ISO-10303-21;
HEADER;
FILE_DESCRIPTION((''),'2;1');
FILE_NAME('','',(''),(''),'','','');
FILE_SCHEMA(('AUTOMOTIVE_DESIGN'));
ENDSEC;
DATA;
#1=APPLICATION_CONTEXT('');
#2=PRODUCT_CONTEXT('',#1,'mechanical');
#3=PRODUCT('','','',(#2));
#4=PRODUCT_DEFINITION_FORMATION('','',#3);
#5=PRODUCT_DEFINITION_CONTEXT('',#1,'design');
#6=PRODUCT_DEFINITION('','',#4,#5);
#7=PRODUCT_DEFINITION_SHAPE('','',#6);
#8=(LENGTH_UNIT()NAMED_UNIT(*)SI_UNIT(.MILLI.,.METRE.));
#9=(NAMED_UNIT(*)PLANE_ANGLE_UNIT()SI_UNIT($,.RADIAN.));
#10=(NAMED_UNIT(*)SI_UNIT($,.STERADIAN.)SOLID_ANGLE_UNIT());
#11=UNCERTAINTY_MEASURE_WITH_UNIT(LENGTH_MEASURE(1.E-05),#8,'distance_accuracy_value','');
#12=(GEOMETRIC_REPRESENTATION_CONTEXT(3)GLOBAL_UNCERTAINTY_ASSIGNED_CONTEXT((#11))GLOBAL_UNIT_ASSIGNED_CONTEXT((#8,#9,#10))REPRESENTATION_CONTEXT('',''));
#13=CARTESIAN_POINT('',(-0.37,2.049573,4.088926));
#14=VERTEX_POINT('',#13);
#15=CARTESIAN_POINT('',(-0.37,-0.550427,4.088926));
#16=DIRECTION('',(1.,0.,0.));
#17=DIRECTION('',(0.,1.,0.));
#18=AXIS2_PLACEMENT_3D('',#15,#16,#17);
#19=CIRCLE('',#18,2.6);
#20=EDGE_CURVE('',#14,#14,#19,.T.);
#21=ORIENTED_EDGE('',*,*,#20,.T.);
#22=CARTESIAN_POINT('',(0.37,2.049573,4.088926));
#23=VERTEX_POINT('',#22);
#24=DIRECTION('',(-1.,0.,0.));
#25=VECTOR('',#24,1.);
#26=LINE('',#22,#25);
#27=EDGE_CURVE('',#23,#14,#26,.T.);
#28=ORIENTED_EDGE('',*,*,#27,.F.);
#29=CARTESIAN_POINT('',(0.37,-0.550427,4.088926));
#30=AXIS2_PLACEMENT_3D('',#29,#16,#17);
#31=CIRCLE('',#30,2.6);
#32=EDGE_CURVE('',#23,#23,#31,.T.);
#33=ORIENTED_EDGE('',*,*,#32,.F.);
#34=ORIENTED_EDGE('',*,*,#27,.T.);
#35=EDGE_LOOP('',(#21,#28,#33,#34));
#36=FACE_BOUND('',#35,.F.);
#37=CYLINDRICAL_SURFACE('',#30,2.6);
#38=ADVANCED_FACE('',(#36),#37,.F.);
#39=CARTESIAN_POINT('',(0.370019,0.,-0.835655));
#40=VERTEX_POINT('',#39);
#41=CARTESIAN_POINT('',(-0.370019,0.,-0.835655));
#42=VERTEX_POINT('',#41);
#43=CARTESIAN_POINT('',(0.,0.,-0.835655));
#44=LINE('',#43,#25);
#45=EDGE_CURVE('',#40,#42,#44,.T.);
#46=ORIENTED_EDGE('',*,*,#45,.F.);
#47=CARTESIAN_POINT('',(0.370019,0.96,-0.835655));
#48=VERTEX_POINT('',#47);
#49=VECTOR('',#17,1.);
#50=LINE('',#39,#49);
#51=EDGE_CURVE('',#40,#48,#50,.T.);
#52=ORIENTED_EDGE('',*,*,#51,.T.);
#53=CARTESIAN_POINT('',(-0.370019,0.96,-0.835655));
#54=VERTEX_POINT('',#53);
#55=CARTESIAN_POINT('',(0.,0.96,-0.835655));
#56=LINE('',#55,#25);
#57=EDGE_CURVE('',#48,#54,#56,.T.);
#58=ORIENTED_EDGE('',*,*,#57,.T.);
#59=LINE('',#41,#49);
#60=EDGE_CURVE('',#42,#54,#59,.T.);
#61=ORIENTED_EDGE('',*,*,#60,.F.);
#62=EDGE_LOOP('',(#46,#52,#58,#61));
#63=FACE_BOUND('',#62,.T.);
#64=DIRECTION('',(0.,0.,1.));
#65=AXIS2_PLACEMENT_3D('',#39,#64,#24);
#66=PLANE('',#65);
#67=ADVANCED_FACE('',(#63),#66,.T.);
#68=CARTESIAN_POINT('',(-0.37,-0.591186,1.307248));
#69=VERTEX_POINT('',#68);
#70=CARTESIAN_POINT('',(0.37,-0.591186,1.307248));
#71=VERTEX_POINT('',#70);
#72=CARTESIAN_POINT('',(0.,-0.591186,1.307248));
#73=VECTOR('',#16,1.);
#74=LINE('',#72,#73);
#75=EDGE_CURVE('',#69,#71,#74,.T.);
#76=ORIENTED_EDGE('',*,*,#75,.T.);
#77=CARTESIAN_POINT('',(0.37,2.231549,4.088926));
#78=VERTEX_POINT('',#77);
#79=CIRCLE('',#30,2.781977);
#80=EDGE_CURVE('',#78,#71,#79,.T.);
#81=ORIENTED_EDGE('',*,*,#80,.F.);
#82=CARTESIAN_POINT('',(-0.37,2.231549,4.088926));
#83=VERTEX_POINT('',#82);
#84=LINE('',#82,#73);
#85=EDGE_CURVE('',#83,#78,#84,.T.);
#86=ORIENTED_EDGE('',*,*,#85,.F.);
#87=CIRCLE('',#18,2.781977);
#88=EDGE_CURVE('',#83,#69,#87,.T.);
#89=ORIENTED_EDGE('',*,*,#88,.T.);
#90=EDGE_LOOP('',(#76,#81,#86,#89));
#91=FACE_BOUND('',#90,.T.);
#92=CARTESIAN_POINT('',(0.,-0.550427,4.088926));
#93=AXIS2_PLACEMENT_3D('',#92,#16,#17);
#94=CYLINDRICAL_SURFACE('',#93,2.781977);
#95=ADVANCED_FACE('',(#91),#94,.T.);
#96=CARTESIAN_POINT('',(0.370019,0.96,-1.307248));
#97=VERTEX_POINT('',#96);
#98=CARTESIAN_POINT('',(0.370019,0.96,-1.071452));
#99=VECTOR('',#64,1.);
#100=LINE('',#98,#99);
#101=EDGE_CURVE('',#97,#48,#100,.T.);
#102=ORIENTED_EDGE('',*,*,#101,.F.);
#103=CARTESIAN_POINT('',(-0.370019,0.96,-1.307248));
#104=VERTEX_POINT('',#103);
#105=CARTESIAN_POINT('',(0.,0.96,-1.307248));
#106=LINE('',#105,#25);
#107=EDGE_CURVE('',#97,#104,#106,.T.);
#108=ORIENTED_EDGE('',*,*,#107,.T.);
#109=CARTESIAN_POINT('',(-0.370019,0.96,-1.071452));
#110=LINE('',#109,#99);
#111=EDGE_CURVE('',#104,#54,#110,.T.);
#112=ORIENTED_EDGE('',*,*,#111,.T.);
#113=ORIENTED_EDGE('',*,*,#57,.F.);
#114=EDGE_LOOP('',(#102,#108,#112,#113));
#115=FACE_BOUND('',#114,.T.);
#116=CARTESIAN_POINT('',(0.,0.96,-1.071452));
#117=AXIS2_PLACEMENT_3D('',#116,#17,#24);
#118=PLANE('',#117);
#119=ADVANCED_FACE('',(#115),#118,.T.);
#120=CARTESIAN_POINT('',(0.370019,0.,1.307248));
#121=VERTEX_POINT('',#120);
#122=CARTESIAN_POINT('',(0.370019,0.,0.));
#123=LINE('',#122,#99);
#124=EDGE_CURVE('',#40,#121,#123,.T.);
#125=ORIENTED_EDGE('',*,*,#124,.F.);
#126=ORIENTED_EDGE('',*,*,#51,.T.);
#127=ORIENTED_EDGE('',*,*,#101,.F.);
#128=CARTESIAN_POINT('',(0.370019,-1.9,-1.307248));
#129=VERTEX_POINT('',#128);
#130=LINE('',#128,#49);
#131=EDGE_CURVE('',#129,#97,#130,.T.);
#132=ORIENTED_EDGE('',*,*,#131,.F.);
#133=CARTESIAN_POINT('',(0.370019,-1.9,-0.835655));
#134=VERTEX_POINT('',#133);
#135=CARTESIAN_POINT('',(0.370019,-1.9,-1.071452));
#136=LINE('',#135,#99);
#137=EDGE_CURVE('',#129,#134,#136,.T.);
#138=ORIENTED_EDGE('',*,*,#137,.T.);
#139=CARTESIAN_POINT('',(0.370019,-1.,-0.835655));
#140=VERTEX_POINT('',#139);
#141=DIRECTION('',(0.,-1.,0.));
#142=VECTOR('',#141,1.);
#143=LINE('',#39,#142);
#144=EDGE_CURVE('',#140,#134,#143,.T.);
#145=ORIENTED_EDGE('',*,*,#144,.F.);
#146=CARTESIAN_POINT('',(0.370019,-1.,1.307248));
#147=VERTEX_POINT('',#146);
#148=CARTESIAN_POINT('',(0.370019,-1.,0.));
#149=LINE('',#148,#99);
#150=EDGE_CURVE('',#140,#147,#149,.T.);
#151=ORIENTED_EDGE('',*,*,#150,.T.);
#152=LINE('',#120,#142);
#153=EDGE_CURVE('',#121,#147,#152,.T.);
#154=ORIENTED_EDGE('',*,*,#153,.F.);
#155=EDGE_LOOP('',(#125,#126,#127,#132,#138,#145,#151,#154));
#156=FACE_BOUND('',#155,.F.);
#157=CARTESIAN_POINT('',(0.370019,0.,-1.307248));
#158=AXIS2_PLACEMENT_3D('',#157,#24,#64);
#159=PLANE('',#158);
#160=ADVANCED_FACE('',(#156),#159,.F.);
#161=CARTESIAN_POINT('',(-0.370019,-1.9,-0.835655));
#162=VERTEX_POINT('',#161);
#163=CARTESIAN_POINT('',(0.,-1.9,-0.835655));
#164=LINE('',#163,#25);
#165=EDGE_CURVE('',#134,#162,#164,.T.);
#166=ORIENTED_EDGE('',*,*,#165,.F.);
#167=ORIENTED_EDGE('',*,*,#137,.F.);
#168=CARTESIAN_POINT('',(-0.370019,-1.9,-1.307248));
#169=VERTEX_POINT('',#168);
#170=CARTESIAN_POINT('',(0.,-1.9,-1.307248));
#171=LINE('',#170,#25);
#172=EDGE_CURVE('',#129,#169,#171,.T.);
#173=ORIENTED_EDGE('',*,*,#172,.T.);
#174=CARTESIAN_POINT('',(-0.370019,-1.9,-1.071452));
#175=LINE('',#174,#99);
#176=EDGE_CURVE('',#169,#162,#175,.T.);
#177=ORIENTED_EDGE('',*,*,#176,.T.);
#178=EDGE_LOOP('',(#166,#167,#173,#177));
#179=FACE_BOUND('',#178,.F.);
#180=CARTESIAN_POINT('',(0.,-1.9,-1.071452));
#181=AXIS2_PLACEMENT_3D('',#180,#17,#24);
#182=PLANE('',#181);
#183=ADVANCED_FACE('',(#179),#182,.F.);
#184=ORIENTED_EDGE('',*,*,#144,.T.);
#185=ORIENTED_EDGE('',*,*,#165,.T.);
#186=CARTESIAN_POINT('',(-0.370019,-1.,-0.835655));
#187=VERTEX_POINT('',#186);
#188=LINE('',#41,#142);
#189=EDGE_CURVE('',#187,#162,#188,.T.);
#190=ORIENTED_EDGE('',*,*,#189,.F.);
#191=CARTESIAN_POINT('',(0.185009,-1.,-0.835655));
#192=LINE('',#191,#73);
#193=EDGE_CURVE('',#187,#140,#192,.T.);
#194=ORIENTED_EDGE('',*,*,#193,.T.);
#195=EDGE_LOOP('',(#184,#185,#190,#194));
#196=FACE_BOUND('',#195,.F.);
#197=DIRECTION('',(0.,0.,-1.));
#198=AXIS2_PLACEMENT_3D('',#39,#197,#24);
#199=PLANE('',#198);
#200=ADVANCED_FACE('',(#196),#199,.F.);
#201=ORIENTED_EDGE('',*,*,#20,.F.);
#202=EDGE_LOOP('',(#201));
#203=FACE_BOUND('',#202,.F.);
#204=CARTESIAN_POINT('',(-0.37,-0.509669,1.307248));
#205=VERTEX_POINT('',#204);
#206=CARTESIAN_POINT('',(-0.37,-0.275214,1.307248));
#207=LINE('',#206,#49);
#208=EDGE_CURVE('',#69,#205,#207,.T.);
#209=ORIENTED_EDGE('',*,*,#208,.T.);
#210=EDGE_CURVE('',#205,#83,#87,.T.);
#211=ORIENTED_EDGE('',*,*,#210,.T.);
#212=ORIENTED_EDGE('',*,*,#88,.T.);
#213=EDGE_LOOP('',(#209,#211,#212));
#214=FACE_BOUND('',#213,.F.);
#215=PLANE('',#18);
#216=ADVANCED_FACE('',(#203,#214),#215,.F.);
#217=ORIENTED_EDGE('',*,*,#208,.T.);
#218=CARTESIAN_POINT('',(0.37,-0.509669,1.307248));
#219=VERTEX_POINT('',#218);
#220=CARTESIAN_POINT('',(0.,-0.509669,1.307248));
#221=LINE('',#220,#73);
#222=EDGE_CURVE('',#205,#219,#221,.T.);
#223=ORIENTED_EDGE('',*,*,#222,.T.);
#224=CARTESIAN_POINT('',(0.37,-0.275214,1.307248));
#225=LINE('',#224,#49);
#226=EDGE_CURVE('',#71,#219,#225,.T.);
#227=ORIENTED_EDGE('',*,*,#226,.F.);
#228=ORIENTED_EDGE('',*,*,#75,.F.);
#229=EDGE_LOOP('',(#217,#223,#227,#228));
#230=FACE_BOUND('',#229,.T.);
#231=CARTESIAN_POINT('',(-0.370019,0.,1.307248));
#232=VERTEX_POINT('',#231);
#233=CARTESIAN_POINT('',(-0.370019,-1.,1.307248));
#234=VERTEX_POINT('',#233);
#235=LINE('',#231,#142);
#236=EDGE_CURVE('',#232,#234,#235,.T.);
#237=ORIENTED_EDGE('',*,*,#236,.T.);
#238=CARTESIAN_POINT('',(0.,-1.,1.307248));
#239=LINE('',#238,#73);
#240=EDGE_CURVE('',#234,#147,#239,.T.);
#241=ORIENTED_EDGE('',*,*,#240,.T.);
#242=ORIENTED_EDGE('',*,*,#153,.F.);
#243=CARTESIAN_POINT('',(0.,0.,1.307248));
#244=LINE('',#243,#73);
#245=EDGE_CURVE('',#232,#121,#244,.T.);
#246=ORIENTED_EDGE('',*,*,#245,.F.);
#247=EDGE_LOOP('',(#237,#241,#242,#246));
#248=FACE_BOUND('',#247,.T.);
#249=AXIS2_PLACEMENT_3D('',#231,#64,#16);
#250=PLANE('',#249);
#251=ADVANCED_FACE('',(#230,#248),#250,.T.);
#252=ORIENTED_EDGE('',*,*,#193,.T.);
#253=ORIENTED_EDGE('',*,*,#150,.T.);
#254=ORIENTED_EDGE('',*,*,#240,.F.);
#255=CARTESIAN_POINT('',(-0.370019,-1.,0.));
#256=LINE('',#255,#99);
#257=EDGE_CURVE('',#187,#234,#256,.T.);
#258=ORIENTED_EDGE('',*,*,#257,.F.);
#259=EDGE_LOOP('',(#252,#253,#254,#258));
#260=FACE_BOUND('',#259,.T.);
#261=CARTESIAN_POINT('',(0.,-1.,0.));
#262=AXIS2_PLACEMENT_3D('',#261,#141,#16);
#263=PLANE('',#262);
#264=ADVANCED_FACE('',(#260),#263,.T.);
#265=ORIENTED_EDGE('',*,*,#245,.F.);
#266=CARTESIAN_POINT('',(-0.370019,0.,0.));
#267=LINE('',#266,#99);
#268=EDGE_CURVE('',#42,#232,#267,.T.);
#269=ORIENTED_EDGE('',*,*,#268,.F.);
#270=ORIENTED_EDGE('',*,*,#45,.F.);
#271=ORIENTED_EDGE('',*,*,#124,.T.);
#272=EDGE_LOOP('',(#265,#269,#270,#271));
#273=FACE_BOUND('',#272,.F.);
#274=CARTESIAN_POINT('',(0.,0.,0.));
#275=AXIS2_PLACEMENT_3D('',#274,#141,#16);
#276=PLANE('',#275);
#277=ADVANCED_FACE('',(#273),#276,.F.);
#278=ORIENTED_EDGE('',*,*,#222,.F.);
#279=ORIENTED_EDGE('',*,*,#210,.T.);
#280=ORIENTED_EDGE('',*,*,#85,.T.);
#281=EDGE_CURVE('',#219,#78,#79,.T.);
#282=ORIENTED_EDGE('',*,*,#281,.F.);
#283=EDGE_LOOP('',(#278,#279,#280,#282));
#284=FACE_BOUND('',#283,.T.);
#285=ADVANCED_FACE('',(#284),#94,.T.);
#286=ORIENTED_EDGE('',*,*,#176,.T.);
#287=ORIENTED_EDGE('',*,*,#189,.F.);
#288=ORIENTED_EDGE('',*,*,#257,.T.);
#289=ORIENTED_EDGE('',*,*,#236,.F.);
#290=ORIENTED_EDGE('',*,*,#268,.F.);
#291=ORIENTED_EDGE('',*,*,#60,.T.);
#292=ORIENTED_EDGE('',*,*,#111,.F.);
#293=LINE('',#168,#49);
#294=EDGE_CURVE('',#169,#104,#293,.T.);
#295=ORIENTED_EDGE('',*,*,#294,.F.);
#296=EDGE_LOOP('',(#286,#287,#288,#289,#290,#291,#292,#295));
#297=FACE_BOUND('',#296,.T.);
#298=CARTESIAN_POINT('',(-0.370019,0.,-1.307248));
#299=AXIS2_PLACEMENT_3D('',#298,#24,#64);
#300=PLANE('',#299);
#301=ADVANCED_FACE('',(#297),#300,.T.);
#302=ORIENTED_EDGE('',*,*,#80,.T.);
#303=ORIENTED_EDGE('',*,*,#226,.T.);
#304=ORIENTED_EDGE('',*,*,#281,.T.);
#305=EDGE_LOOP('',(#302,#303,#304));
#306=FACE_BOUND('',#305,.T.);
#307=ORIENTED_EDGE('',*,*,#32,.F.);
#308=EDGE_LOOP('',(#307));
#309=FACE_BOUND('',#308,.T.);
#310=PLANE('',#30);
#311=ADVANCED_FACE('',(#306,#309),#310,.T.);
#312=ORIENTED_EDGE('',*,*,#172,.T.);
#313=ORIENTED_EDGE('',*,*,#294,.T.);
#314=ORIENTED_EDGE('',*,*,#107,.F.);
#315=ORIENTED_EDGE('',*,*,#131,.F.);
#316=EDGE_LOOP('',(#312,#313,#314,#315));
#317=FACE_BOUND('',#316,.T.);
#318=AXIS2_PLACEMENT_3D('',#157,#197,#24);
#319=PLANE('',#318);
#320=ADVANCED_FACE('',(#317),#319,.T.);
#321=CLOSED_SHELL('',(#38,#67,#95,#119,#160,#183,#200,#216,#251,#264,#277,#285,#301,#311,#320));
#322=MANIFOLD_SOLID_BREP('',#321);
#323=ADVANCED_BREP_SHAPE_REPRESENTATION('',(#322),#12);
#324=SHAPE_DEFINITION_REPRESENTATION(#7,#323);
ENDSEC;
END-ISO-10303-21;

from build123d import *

# Parameters (mm, degrees)
F0_W          = 0.7400371833
F0_H          = 2.6144962758
F1_DEPTH      = 1
F3_W          = 0.7400371833
F3_H          = 0.471592648
F4_DEPTH      = 0.96
F4_DEPTH_BACK = 1.9
F5_R          = 2.5243511124
F6_DEPTH      = 0.37
F6_DEPTH_BACK = 0.37
F7_R          = 2.7819768233
F8_DEPTH      = 0.37
F9_R          = 2.6
F10_DEPTH     = 2.5


with BuildPart() as f1:
    # F0 (on Front) → F1 (new body)
    with BuildSketch(Plane.XZ):
        Rectangle(F0_W, F0_H)
    extrude(amount=F1_DEPTH)

    # F3 (on face) → F4 (join, two sides)
    with BuildSketch(Plane(origin=(0, 0, 0), x_dir=(-1, 0, 0), z_dir=(0, 1, 0))) as f4_sk:
        with Locations((0, -1.0714518139)):
            Rectangle(F3_W, F3_H)
    extrude(amount=F4_DEPTH)
    extrude(f4_sk.sketch, amount=-F4_DEPTH_BACK)

    # F5 (on Right) → F6 (cut, two sides)
    with BuildSketch(Plane.YZ) as f6_sk:
        with Locations((-0.5211759007, 3.8327652696)):
            Circle(F5_R)
    extrude(amount=-F6_DEPTH, mode=Mode.SUBTRACT)
    extrude(f6_sk.sketch, amount=F6_DEPTH_BACK, mode=Mode.SUBTRACT)

    # F7 (on Right) → F8 (join, symmetric)
    with BuildSketch(Plane.YZ):
        with Locations((-0.550427369, 4.088926369)):
            Circle(F7_R)
    extrude(amount=F8_DEPTH, both=True)

    # F9 (on face) → F10 (cut)
    with BuildSketch(Plane.YZ.offset(0.37)):
        with Locations((-0.550427369, 4.088926369)):
            Circle(F9_R)
    extrude(amount=-F10_DEPTH, mode=Mode.SUBTRACT)


solid = f1.part
